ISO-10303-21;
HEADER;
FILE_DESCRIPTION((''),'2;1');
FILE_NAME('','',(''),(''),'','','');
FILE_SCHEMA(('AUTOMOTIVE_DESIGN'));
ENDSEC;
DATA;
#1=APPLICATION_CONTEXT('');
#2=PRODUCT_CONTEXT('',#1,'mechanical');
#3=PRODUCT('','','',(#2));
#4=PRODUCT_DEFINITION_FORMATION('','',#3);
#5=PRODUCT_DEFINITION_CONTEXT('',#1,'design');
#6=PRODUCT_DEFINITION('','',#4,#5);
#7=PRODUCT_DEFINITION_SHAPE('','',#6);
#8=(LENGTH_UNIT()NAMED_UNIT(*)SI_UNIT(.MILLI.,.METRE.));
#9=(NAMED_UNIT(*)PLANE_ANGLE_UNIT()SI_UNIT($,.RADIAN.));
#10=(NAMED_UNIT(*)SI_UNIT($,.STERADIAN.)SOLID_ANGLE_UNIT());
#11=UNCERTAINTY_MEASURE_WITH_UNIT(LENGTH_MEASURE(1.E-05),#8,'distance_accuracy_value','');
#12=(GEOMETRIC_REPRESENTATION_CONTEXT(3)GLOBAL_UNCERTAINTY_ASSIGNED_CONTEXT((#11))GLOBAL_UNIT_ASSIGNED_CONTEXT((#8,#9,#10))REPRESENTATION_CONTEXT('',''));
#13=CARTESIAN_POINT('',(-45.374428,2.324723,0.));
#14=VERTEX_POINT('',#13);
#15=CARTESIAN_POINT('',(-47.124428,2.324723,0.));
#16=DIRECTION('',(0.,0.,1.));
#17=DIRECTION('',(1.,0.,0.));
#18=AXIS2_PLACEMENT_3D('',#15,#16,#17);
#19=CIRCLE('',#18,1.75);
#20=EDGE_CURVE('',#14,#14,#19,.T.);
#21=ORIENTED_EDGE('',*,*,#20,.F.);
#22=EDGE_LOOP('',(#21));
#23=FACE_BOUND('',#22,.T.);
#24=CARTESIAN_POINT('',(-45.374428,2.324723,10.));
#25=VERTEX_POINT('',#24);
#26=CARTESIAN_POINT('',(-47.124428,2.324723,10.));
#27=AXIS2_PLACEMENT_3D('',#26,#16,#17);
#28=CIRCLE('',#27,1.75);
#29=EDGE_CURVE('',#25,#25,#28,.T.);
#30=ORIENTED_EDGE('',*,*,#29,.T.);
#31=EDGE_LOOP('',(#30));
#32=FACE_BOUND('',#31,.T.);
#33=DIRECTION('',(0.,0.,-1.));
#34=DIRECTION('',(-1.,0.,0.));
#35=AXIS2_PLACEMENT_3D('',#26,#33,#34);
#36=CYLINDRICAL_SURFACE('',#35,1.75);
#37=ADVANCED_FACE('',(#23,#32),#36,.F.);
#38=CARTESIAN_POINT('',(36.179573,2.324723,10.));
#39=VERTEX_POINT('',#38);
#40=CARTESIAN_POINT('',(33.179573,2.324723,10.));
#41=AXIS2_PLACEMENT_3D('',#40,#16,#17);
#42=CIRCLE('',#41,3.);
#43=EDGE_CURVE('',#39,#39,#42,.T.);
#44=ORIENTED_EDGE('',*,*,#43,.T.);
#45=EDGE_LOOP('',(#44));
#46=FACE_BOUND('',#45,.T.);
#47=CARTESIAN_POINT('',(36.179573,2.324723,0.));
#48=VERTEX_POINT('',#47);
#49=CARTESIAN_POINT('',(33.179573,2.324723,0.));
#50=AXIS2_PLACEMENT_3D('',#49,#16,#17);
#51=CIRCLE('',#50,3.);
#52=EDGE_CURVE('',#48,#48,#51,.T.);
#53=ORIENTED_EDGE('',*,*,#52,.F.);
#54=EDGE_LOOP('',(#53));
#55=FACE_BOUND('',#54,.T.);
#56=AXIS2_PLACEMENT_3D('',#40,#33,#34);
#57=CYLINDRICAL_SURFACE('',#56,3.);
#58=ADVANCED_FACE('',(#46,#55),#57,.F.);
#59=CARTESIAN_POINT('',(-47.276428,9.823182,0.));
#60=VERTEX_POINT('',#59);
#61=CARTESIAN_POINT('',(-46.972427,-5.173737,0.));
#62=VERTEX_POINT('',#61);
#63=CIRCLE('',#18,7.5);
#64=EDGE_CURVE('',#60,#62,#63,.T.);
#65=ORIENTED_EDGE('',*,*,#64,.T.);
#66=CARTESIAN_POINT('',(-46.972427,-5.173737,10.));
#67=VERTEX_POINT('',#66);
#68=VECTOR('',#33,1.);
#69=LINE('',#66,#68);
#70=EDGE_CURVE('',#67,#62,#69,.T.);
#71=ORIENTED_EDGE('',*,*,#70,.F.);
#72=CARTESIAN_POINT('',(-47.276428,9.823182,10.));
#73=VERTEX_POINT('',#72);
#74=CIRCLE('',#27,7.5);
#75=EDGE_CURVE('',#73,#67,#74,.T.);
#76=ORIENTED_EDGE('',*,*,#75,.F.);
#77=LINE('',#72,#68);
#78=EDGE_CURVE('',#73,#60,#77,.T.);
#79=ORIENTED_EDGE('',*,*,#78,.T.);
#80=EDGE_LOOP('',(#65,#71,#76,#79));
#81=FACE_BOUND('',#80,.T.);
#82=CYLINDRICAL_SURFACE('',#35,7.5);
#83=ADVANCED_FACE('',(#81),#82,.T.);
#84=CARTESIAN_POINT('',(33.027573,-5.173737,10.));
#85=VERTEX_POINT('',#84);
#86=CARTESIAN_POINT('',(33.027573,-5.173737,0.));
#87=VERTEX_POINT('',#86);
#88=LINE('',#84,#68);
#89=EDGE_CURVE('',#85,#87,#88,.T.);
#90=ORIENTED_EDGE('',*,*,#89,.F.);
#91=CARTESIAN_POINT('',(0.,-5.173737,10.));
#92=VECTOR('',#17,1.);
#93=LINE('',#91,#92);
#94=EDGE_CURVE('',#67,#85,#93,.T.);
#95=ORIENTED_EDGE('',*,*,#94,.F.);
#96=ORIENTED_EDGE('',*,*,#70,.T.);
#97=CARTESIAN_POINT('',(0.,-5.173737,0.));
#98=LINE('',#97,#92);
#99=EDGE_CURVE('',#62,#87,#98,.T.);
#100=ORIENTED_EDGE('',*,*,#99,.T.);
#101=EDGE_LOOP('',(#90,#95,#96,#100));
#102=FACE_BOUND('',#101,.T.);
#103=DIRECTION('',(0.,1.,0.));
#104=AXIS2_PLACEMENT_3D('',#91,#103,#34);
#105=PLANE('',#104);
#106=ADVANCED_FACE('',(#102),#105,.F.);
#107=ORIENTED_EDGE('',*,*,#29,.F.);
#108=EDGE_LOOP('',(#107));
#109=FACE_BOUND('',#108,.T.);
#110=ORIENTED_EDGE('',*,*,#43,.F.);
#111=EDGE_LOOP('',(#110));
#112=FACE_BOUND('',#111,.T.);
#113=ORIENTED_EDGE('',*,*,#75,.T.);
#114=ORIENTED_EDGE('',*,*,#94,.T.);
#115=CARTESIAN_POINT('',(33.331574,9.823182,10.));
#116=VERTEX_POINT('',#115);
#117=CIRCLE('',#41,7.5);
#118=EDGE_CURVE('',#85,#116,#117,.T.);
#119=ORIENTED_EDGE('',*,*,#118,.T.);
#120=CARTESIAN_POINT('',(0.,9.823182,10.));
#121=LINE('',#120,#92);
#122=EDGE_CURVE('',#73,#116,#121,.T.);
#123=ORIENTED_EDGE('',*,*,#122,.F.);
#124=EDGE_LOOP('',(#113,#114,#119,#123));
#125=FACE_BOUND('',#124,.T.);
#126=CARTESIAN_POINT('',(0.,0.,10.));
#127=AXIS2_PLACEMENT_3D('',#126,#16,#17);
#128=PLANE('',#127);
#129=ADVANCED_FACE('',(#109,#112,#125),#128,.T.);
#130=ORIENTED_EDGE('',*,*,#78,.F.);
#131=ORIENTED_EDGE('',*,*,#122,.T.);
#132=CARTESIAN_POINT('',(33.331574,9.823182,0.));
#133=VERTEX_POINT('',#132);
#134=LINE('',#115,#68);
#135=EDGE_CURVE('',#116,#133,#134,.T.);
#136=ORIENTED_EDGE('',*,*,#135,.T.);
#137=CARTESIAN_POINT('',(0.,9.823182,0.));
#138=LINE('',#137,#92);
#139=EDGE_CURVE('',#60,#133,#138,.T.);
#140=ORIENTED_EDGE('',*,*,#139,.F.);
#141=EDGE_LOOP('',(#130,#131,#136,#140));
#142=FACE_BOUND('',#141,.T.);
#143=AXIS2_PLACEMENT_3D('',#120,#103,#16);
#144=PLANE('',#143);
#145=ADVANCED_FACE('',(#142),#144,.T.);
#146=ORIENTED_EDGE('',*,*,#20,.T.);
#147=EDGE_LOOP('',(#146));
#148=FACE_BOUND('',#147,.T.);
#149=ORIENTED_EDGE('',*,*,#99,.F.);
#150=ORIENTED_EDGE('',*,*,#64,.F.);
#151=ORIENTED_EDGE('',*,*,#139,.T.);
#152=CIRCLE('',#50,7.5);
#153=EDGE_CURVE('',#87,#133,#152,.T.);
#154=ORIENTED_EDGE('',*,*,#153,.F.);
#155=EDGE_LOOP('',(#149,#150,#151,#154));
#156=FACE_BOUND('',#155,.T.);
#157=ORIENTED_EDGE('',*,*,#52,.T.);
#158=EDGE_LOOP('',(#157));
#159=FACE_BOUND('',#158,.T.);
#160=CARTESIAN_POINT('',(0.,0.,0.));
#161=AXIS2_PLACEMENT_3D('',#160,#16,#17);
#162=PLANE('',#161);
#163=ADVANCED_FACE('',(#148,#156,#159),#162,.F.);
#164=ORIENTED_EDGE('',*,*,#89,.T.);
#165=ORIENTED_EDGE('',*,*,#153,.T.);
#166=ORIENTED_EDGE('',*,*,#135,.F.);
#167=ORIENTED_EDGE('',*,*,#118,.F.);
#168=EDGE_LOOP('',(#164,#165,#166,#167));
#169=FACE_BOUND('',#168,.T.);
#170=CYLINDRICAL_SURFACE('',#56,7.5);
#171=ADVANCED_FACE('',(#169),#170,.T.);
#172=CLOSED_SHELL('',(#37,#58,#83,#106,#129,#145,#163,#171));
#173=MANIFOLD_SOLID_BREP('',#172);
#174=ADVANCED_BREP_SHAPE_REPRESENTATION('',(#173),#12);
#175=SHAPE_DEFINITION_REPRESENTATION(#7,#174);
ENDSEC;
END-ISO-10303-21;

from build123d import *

# Parameters (mm, degrees)
SKETCH_1_R      = 1.75
SKETCH_1_R_2    = 3
EXTRUDE_2_DEPTH = 10


with BuildPart() as part:
    # 草图1 → 凸台-拉伸2 (new body)
    # profile 1 of 3: a face of its own
    with BuildSketch(Plane.XY):
        with BuildLine():
            Line((-46.972427161, 9.823182252), (-47.276428481, 9.823182252))
            ThreePointArc((-47.276428481, 9.823182252), (-54.622887383, 2.17272203), (-46.972427161, -5.173736872))
            ThreePointArc((-46.972427161, -5.173736872), (-41.767656174, -2.92456274), (-39.624427821, 2.32472269))
            ThreePointArc((-39.624427821, 2.32472269), (-41.767656174, 7.57400812), (-46.972427161, 9.823182252))
        make_face()
        with Locations((-47.124427821, 2.32472269)):
            Circle(SKETCH_1_R, mode=Mode.SUBTRACT)
    # profile 2 of 3: a face of its own
    with BuildSketch(Plane.XY):
        with BuildLine():
            Line((33.027572839, 9.823182252), (-46.972427161, 9.823182252))
            ThreePointArc((-46.972427161, 9.823182252), (-41.767656174, 7.57400812), (-39.624427821, 2.32472269))
            ThreePointArc((-39.624427821, 2.32472269), (-41.767656174, -2.92456274), (-46.972427161, -5.173736872))
            Line((-46.972427161, -5.173736872), (33.027572839, -5.173736872))
            ThreePointArc((33.027572839, -5.173736872), (25.679573499, 2.32472269), (33.027572839, 9.823182252))
        make_face()
    # profile 3 of 3: a face of its own
    with BuildSketch(Plane.XY):
        with BuildLine():
            Line((33.331574159, 9.823182252), (33.027572839, 9.823182252))
            ThreePointArc((33.027572839, 9.823182252), (25.679573499, 2.32472269), (33.027572839, -5.173736872))
            ThreePointArc((33.027572839, -5.173736872), (38.428858929, -3.032048957), (40.679573499, 2.32472269))
            ThreePointArc((40.679573499, 2.32472269), (38.536345146, 7.57400812), (33.331574159, 9.823182252))
        make_face()
        with Locations((33.179573499, 2.32472269)):
            Circle(SKETCH_1_R_2, mode=Mode.SUBTRACT)
    extrude(amount=EXTRUDE_2_DEPTH)


solid = part.part
